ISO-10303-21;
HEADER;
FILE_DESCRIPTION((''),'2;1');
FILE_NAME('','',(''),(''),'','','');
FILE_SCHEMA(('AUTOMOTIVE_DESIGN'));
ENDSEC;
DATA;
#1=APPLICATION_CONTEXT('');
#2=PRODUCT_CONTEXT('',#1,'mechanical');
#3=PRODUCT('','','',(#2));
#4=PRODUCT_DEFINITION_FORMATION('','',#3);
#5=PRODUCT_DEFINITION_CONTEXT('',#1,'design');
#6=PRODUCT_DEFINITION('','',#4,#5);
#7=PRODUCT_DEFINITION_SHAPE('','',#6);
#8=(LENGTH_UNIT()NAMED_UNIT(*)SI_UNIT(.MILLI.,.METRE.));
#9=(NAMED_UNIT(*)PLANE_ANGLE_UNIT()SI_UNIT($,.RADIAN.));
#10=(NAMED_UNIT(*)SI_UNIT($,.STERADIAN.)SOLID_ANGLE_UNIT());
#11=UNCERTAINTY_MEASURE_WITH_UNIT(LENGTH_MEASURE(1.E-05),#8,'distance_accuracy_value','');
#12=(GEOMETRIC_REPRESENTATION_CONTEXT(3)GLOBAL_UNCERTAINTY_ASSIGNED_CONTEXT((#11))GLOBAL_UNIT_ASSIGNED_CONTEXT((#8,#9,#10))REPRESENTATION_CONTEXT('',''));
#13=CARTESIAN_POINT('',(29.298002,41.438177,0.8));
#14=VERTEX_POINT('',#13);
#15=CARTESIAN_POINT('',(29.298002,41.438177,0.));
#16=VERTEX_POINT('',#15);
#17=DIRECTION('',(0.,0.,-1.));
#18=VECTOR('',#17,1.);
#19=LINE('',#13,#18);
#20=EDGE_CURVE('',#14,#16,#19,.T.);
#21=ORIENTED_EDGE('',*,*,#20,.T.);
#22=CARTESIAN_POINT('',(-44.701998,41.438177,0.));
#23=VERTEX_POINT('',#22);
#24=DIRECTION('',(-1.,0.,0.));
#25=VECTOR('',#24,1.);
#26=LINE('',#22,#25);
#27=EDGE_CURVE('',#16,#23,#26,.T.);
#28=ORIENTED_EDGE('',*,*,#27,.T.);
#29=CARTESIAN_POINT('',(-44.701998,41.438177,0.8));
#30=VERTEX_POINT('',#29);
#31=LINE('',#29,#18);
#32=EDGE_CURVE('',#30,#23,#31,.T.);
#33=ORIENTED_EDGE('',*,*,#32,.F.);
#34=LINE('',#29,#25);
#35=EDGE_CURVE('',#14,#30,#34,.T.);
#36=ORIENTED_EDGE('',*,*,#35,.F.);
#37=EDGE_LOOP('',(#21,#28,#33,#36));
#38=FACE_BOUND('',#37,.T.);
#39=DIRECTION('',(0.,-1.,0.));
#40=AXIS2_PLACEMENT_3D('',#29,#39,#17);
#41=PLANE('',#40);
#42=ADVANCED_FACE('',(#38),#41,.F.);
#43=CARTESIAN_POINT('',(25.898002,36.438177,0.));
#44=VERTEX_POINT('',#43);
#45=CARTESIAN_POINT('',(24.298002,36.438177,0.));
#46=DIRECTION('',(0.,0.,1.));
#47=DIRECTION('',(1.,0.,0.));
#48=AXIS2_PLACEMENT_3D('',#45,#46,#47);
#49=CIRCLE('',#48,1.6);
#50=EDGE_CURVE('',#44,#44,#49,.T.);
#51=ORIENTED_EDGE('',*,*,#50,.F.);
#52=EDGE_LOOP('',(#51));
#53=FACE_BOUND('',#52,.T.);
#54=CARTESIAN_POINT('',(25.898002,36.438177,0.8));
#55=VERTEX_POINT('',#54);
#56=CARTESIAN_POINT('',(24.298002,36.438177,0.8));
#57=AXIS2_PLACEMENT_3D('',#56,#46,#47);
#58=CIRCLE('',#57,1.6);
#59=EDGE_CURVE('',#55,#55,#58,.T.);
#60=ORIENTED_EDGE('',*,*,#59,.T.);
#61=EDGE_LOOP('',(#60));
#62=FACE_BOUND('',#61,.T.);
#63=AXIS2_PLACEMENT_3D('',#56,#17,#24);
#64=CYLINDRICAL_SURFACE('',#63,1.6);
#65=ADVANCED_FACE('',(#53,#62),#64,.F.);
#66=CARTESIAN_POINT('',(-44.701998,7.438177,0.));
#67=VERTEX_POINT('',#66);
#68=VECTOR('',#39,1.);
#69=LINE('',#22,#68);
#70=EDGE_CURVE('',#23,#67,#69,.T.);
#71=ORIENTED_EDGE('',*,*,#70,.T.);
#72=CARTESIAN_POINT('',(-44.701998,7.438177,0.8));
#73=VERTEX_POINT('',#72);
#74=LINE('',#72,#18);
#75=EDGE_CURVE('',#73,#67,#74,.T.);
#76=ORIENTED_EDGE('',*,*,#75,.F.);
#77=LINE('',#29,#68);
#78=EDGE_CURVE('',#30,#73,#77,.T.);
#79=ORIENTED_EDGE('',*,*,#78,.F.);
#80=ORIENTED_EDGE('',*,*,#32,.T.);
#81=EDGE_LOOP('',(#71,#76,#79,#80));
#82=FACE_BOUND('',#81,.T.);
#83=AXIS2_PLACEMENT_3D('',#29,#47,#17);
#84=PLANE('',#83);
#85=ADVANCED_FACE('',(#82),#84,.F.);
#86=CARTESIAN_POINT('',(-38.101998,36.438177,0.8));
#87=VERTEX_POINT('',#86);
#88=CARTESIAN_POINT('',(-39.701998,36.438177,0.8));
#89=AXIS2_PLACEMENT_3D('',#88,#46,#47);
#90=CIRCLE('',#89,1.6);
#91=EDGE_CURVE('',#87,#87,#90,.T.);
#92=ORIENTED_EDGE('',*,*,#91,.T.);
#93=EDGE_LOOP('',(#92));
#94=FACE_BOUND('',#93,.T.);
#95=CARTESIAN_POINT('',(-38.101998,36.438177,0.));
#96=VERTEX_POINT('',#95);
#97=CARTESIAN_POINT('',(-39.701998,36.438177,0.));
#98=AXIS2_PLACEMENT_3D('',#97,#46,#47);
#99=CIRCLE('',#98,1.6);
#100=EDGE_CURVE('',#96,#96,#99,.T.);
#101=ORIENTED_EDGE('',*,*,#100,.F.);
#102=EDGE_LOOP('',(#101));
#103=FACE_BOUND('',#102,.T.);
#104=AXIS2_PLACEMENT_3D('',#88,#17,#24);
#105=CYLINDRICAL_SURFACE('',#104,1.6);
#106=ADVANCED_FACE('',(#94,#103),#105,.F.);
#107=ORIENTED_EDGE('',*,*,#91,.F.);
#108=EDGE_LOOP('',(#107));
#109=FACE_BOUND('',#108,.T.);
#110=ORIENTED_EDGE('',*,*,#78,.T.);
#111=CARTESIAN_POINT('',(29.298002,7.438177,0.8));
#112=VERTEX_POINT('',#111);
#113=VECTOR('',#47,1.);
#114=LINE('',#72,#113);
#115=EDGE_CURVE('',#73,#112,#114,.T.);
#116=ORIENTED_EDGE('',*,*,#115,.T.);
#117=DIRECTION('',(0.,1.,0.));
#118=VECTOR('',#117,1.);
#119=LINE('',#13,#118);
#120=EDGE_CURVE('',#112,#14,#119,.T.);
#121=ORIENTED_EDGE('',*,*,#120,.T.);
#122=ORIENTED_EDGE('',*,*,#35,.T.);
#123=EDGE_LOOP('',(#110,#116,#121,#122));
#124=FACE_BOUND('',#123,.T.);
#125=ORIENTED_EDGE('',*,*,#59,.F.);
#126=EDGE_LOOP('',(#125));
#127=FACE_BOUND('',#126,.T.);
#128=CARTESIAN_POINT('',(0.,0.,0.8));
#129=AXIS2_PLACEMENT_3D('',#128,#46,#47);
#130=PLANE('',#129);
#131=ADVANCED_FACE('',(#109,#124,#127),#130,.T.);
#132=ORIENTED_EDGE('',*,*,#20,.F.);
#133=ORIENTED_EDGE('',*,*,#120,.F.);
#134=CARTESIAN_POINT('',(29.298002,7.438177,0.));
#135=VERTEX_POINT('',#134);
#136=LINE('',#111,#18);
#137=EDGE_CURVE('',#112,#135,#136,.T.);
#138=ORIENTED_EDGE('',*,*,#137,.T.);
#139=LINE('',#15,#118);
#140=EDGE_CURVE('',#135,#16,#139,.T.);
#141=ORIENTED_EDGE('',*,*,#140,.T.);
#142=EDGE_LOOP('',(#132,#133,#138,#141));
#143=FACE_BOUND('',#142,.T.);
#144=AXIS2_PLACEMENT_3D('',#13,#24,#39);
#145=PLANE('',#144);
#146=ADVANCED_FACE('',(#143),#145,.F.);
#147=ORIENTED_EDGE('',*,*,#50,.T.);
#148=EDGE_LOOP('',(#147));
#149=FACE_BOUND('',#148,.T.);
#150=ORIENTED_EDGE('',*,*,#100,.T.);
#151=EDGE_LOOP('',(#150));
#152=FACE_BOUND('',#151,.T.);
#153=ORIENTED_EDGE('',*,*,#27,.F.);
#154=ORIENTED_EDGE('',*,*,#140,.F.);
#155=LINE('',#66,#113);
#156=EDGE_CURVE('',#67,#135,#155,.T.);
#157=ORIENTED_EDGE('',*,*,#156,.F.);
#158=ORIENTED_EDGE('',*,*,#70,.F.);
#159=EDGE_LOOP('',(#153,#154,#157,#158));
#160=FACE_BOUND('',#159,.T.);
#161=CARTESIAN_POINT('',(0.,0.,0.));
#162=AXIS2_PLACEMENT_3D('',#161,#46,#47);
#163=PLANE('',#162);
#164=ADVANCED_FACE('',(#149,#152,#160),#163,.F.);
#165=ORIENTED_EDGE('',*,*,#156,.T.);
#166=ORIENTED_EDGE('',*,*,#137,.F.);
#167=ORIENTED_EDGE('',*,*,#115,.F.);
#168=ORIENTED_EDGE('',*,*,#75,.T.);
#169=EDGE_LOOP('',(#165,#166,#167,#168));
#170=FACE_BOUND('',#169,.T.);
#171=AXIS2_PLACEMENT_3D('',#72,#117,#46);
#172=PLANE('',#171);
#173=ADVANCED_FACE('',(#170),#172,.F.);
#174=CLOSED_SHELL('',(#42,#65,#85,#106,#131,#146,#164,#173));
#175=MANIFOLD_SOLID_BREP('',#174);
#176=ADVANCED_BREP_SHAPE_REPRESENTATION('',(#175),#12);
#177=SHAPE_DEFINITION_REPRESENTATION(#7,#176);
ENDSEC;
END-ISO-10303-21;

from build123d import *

# Parameters (mm, degrees)
SKETCH1_W           = 74
SKETCH1_H           = 34
SKETCH1_R           = 1.6
BOSS_EXTRUDE1_DEPTH = 0.8


with BuildPart() as part:
    # Sketch1 → Boss-Extrude1 (new body)
    with BuildSketch(Plane.XY):
        with Locations((-7.701998231, 24.438176522)):
            Rectangle(SKETCH1_W, SKETCH1_H)
        with Locations((-39.701998231, 36.438176522)):
            Circle(SKETCH1_R, mode=Mode.SUBTRACT)
        with Locations((24.298001769, 36.438176522)):
            Circle(SKETCH1_R, mode=Mode.SUBTRACT)
    extrude(amount=BOSS_EXTRUDE1_DEPTH)


solid = part.part
